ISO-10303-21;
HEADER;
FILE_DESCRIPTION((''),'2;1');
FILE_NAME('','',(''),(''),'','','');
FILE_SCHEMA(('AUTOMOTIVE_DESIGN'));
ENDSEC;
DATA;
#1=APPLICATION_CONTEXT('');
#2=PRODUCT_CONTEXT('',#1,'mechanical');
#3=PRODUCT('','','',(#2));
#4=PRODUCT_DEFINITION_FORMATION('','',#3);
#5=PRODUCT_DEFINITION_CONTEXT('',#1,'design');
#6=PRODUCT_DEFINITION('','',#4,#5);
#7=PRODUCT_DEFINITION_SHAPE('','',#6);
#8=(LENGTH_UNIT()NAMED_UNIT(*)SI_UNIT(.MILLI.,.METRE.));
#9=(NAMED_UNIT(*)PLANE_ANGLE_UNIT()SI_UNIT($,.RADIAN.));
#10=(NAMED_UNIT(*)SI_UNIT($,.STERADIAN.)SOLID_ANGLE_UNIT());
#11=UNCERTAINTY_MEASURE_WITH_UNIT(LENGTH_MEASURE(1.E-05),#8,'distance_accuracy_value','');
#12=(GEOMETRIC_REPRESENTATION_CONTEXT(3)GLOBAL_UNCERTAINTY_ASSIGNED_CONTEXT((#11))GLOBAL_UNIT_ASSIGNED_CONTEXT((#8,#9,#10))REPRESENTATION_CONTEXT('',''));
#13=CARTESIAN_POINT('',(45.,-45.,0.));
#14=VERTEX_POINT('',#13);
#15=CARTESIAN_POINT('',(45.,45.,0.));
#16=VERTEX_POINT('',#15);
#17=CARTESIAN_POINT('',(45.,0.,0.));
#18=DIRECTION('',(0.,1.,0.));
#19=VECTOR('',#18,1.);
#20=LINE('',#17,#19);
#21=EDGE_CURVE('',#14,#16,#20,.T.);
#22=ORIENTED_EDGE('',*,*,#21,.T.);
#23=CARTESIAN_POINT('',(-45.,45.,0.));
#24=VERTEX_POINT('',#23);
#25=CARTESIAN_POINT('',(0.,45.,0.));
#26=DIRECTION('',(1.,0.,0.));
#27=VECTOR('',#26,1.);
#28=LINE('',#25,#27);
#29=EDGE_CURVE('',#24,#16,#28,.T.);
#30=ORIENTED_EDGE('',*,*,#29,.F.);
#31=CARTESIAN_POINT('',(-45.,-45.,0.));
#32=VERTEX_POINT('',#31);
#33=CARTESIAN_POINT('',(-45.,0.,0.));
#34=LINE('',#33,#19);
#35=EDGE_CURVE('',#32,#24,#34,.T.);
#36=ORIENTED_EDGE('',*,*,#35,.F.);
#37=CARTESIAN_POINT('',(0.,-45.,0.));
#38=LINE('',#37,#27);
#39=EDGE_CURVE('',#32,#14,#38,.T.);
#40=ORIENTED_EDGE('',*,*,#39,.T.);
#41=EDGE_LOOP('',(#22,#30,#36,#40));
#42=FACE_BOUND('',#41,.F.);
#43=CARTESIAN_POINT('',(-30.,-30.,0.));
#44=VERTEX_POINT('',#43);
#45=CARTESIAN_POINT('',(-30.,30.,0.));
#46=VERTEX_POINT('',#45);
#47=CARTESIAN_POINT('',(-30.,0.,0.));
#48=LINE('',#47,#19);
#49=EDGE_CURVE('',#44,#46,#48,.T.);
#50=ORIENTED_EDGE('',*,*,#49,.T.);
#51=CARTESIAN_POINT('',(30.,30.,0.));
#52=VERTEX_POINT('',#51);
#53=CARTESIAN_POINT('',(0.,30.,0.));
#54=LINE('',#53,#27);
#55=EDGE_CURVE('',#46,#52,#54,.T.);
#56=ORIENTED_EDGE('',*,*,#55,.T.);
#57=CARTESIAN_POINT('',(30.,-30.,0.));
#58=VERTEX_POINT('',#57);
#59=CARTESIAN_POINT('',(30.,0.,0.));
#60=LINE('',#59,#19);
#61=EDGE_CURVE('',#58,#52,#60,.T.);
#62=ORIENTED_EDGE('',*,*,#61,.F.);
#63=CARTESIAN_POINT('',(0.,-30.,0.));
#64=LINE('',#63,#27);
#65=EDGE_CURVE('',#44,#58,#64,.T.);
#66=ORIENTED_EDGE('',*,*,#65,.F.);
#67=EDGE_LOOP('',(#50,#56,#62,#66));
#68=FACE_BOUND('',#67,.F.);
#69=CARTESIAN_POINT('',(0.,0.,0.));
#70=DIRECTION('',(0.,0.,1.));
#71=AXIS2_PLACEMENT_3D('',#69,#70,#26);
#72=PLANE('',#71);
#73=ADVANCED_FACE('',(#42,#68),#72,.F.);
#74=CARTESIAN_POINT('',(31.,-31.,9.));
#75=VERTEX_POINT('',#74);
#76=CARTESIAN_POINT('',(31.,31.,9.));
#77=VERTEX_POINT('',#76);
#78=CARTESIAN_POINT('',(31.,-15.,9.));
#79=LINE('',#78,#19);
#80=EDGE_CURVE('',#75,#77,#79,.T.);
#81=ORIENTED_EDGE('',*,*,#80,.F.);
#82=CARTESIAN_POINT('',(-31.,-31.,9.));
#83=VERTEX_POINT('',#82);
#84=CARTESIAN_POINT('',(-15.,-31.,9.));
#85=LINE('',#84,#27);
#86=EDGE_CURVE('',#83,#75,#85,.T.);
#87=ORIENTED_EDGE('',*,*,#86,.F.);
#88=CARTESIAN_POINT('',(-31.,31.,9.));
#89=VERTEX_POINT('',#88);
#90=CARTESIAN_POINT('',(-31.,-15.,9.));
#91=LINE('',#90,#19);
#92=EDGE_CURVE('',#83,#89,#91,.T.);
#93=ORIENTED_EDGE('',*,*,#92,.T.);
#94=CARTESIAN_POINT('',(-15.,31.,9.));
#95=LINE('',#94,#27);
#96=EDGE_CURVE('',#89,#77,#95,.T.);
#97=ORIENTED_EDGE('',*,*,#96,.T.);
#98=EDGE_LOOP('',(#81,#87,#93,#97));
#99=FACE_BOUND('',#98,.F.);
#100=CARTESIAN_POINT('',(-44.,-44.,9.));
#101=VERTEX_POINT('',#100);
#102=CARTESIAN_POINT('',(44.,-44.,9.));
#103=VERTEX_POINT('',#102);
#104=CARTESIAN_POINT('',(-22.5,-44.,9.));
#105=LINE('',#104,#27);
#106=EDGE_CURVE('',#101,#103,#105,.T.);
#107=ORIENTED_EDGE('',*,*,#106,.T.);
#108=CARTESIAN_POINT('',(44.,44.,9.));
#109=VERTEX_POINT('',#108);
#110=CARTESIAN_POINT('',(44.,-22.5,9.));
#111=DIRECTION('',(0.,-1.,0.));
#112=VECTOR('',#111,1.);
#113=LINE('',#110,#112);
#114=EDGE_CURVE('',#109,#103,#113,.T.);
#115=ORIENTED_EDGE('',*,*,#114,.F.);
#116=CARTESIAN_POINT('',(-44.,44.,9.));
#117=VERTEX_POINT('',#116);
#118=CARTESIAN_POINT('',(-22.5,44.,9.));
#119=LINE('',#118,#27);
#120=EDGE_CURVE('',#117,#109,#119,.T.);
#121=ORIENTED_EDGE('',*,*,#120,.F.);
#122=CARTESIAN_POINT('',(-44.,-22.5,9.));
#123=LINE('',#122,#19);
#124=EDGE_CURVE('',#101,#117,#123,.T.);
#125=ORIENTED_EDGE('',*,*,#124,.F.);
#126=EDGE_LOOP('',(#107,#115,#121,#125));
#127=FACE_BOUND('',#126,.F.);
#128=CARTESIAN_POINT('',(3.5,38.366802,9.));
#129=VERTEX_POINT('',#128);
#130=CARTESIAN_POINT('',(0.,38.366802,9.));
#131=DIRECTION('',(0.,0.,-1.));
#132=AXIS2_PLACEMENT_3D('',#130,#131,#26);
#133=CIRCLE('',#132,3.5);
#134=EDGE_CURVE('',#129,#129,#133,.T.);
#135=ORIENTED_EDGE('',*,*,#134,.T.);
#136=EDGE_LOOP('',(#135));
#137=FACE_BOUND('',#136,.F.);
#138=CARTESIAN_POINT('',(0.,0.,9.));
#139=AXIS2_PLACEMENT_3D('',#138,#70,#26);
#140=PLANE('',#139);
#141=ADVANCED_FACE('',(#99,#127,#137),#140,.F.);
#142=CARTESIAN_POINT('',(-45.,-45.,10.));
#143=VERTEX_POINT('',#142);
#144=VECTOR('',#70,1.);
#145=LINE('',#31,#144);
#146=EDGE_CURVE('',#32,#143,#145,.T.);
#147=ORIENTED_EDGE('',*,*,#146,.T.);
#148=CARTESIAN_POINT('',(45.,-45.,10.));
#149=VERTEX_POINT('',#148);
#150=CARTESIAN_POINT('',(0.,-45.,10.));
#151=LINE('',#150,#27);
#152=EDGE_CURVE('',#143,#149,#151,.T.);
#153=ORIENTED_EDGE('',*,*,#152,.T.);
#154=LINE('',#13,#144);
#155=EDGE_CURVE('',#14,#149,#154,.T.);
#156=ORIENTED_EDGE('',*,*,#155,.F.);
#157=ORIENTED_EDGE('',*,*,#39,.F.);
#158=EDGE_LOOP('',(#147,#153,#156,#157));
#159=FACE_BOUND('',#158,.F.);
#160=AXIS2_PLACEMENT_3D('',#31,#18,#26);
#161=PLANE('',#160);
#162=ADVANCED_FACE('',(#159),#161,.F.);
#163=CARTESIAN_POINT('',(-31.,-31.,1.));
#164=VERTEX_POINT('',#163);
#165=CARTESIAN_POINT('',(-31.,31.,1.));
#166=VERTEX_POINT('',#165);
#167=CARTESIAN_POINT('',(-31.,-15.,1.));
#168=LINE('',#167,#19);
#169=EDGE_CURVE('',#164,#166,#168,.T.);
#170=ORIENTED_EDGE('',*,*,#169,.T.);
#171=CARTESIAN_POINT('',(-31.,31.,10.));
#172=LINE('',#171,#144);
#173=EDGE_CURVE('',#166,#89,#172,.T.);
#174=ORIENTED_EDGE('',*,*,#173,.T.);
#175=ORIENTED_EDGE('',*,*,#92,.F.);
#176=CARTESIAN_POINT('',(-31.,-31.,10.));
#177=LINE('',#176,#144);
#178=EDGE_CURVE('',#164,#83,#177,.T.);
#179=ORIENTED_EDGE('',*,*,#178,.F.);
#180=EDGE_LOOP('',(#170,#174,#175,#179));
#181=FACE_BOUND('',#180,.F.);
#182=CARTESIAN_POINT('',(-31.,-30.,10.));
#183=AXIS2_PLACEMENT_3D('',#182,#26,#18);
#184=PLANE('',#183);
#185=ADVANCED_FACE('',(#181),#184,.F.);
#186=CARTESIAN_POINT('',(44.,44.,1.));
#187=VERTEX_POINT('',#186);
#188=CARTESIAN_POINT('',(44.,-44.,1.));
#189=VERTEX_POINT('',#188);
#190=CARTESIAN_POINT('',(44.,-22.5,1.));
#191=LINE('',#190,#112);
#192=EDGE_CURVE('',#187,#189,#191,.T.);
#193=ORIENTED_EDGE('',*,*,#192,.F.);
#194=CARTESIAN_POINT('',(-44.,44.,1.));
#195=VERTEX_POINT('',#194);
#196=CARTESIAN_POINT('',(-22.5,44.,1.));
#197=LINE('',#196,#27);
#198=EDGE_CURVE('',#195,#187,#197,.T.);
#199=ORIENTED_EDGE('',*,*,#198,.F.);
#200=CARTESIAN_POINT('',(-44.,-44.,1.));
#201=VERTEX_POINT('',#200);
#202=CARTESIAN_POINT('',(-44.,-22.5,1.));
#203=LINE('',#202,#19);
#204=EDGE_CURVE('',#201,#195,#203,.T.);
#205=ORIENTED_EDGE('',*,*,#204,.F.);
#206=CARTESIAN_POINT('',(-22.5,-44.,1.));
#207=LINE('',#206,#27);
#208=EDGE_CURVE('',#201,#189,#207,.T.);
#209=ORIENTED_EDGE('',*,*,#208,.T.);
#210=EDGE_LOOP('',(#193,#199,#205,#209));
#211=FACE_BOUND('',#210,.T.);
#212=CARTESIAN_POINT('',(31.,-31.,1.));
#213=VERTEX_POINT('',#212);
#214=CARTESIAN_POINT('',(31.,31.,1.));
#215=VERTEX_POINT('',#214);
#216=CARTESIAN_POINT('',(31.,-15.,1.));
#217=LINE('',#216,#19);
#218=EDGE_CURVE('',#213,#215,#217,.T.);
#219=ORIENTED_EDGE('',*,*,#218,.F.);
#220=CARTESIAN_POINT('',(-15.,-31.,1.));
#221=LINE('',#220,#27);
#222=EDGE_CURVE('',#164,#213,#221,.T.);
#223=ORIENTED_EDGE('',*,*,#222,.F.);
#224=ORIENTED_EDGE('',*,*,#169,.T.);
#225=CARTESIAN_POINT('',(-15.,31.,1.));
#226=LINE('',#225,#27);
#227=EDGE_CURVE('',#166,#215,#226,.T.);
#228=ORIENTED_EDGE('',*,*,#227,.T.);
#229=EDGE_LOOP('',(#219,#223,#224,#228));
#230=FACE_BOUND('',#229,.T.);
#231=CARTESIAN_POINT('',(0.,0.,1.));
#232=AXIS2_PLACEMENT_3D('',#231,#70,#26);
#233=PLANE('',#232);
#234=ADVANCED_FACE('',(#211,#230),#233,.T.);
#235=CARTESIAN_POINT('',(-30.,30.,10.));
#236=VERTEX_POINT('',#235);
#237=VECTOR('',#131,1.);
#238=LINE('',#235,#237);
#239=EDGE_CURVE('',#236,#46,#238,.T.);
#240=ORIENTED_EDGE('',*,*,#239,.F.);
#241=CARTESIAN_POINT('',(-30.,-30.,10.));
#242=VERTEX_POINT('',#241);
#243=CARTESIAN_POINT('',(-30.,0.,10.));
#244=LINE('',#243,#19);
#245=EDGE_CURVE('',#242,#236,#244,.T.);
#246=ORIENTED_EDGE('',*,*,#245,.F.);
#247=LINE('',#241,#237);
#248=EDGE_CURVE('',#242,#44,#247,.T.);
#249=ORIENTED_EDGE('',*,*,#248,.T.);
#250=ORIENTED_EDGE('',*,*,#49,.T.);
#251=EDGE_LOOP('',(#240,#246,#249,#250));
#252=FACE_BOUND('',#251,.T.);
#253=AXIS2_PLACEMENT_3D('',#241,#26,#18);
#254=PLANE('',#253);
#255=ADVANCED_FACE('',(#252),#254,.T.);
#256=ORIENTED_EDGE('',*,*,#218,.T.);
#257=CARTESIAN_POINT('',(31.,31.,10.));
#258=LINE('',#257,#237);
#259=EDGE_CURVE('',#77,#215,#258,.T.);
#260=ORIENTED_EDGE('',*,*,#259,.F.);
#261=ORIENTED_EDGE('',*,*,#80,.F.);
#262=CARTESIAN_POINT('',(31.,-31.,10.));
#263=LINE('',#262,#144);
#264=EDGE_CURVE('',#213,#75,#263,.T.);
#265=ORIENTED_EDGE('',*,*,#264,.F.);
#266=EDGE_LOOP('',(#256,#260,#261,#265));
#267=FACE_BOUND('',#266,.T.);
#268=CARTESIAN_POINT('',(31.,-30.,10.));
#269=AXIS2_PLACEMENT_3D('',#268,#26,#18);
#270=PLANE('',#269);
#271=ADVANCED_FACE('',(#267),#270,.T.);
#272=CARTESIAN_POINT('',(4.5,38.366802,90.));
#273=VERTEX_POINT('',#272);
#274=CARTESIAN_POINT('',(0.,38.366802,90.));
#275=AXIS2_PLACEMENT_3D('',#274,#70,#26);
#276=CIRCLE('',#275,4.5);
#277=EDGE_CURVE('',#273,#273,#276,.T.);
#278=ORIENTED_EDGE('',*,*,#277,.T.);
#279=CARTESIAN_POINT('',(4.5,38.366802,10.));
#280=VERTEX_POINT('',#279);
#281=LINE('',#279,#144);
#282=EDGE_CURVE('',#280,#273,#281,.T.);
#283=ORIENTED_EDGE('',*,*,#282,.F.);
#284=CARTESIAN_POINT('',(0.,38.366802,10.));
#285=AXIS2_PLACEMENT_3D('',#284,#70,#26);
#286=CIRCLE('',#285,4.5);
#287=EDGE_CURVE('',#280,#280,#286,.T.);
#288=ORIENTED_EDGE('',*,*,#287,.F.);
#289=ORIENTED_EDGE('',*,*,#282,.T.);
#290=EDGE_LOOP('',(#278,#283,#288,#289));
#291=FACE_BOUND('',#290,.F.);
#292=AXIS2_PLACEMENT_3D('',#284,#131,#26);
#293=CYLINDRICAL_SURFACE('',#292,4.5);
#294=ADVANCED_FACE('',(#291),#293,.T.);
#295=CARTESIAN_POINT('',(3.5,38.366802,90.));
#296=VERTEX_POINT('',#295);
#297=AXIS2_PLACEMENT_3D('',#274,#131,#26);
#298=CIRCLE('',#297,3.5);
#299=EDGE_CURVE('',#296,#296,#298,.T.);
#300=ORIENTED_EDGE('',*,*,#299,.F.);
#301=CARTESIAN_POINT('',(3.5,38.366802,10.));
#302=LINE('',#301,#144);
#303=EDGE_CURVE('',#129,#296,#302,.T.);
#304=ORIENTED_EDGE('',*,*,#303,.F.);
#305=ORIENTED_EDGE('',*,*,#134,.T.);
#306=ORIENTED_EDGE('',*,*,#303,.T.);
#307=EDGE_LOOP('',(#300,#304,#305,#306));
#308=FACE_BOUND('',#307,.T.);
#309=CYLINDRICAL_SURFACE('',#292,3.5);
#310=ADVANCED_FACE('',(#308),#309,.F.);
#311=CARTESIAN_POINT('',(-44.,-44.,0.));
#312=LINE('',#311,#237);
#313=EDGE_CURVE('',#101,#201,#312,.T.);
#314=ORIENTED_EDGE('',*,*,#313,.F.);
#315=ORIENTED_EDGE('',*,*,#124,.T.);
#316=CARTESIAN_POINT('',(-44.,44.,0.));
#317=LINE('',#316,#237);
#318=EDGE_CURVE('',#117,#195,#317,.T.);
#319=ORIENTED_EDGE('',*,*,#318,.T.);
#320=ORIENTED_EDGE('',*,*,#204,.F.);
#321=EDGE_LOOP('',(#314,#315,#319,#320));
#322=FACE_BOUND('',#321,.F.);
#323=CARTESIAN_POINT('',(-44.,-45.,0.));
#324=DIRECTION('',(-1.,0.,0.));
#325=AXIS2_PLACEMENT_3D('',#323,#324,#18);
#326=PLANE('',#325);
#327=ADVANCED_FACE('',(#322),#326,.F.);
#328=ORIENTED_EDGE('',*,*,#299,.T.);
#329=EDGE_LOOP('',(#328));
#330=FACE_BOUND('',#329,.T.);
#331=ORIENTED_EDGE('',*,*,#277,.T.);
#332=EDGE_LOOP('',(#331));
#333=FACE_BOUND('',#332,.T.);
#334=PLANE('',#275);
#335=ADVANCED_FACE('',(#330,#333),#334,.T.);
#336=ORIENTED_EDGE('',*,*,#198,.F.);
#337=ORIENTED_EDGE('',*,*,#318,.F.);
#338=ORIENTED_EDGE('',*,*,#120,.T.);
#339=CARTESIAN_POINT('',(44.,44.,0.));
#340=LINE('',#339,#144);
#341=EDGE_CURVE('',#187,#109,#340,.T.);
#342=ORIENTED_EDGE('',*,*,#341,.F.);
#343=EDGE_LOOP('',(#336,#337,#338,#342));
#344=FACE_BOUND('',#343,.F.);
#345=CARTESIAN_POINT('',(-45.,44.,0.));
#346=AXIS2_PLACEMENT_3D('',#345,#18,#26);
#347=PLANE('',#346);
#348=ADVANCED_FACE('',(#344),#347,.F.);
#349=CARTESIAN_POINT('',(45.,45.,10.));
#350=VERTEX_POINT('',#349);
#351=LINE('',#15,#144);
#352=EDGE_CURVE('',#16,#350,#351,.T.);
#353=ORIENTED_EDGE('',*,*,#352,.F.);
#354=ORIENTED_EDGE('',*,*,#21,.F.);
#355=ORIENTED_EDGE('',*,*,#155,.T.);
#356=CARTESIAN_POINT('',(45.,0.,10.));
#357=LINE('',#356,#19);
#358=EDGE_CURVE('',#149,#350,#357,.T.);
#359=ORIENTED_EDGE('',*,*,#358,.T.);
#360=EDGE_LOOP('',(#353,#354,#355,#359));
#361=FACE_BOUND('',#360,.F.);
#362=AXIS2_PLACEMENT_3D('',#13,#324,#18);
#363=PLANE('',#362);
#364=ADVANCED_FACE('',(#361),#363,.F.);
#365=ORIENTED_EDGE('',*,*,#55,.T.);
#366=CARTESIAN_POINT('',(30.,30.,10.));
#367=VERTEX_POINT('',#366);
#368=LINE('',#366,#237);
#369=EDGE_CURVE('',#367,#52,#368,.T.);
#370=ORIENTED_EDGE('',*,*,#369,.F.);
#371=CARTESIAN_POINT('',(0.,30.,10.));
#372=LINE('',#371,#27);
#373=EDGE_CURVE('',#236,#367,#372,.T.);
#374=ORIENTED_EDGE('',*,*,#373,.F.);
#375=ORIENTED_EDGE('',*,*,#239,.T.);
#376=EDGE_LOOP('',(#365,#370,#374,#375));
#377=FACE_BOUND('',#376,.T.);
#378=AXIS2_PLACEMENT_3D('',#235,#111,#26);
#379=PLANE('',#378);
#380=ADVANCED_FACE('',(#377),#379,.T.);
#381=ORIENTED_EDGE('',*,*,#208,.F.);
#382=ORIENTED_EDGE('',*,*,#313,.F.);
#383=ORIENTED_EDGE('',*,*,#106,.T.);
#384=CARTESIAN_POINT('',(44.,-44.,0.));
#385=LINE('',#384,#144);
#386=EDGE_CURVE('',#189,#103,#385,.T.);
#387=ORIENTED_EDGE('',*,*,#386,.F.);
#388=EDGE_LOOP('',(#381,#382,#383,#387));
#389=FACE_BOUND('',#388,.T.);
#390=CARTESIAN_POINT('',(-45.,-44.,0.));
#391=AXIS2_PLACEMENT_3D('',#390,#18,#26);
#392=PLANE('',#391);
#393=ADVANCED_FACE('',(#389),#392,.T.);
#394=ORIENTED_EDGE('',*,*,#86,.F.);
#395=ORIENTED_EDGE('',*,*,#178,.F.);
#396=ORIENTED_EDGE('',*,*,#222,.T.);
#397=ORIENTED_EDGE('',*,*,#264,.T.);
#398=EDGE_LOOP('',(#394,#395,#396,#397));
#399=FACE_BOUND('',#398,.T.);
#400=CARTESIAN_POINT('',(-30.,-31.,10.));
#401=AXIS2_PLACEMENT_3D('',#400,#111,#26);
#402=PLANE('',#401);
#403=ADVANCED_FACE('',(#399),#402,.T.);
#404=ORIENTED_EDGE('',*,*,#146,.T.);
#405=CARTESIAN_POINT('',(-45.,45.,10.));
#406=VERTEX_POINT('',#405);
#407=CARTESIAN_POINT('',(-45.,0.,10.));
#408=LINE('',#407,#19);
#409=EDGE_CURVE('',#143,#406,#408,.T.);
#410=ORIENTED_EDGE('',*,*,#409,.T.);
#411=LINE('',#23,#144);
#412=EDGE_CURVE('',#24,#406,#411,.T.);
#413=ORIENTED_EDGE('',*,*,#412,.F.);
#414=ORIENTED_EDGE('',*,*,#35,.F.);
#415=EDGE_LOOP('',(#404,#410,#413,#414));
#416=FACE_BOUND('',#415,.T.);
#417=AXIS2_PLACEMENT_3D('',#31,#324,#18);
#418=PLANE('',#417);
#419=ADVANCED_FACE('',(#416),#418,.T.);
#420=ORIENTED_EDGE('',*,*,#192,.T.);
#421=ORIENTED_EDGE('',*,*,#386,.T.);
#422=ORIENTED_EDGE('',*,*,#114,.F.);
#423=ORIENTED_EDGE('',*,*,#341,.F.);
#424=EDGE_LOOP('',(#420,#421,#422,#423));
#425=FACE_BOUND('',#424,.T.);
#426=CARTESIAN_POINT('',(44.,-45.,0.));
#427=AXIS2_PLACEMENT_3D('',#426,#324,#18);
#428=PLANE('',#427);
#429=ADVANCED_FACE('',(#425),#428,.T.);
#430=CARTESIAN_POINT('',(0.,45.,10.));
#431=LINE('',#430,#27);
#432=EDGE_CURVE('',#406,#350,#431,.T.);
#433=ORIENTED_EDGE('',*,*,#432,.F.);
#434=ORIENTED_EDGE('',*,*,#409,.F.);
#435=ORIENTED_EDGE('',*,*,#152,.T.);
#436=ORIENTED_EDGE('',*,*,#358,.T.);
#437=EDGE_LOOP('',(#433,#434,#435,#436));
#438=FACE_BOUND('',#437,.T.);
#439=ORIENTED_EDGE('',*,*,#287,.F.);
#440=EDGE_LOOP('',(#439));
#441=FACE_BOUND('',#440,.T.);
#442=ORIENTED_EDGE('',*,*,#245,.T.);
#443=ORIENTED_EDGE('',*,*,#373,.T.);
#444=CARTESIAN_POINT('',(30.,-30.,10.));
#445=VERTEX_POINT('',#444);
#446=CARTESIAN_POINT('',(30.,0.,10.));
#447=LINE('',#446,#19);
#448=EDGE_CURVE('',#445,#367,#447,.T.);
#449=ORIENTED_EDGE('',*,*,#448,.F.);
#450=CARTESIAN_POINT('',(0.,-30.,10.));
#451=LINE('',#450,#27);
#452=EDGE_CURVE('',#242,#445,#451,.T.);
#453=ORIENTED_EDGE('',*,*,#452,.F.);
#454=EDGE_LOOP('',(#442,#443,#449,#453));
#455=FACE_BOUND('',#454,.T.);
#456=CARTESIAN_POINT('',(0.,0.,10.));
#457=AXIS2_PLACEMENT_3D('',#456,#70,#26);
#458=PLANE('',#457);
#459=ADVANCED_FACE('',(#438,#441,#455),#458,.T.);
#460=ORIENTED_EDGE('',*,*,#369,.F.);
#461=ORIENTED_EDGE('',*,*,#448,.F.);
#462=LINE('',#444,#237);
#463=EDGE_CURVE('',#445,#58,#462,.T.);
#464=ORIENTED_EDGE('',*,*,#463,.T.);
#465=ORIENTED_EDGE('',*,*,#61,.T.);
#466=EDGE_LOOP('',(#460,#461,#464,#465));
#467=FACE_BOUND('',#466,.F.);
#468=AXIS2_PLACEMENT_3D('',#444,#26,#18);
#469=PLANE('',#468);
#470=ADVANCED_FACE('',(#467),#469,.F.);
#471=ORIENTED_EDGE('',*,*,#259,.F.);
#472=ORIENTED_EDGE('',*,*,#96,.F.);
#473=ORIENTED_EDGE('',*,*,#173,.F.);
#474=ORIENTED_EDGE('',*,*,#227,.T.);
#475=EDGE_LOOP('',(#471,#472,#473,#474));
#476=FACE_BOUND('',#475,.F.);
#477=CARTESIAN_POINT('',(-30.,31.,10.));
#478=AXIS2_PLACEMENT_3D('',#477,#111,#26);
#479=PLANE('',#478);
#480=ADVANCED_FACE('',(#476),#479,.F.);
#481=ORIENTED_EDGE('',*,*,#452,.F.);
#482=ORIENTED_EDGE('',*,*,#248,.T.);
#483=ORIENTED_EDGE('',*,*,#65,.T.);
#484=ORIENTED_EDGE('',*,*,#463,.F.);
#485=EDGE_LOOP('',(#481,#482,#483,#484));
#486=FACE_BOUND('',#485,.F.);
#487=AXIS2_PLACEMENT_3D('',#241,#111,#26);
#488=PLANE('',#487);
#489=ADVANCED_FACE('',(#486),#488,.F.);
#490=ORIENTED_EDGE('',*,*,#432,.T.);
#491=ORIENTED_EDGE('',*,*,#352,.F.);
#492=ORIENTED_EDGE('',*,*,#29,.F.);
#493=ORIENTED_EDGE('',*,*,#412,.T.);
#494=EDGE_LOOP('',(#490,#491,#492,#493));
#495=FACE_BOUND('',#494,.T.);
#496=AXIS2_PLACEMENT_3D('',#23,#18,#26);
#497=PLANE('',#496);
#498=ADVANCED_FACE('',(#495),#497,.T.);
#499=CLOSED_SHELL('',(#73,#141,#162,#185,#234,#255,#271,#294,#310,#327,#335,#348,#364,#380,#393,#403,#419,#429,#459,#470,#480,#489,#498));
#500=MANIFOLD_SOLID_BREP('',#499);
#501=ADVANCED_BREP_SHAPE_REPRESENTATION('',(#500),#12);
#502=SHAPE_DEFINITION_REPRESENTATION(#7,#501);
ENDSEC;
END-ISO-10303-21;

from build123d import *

# Parameters (mm, degrees)
F0_W     = 90
F0_H     = 90
F1_DEPTH = 10
F2_W     = 60
F2_H     = 60
F3_DEPTH = 10
F4_R     = 4.5
F5_DEPTH = 80
F6_T     = -1


with BuildPart() as f1:
    # F0 (on Top) → F1 (new body)
    with BuildSketch(Plane.XY):
        Rectangle(F0_W, F0_H)
    extrude(amount=F1_DEPTH)

    # F2 (on face) → F3 (cut)
    with BuildSketch(Plane.XY.offset(10)):
        Rectangle(F2_W, F2_H)
    extrude(amount=-F3_DEPTH, mode=Mode.SUBTRACT)

    # F4 (on face) → F5 (join)
    with BuildSketch(Plane.XY.offset(10)):
        with Locations((0, 38.3668020368)):
            Circle(F4_R)
    extrude(amount=F5_DEPTH)

    # F6
    f6_openings = [f1.faces().sort_by_distance(p)[0] for p in [
        (0, 38.366802, 90),
    ]]
    offset(amount=F6_T, openings=f6_openings, kind=Kind.INTERSECTION)


solid = f1.part
